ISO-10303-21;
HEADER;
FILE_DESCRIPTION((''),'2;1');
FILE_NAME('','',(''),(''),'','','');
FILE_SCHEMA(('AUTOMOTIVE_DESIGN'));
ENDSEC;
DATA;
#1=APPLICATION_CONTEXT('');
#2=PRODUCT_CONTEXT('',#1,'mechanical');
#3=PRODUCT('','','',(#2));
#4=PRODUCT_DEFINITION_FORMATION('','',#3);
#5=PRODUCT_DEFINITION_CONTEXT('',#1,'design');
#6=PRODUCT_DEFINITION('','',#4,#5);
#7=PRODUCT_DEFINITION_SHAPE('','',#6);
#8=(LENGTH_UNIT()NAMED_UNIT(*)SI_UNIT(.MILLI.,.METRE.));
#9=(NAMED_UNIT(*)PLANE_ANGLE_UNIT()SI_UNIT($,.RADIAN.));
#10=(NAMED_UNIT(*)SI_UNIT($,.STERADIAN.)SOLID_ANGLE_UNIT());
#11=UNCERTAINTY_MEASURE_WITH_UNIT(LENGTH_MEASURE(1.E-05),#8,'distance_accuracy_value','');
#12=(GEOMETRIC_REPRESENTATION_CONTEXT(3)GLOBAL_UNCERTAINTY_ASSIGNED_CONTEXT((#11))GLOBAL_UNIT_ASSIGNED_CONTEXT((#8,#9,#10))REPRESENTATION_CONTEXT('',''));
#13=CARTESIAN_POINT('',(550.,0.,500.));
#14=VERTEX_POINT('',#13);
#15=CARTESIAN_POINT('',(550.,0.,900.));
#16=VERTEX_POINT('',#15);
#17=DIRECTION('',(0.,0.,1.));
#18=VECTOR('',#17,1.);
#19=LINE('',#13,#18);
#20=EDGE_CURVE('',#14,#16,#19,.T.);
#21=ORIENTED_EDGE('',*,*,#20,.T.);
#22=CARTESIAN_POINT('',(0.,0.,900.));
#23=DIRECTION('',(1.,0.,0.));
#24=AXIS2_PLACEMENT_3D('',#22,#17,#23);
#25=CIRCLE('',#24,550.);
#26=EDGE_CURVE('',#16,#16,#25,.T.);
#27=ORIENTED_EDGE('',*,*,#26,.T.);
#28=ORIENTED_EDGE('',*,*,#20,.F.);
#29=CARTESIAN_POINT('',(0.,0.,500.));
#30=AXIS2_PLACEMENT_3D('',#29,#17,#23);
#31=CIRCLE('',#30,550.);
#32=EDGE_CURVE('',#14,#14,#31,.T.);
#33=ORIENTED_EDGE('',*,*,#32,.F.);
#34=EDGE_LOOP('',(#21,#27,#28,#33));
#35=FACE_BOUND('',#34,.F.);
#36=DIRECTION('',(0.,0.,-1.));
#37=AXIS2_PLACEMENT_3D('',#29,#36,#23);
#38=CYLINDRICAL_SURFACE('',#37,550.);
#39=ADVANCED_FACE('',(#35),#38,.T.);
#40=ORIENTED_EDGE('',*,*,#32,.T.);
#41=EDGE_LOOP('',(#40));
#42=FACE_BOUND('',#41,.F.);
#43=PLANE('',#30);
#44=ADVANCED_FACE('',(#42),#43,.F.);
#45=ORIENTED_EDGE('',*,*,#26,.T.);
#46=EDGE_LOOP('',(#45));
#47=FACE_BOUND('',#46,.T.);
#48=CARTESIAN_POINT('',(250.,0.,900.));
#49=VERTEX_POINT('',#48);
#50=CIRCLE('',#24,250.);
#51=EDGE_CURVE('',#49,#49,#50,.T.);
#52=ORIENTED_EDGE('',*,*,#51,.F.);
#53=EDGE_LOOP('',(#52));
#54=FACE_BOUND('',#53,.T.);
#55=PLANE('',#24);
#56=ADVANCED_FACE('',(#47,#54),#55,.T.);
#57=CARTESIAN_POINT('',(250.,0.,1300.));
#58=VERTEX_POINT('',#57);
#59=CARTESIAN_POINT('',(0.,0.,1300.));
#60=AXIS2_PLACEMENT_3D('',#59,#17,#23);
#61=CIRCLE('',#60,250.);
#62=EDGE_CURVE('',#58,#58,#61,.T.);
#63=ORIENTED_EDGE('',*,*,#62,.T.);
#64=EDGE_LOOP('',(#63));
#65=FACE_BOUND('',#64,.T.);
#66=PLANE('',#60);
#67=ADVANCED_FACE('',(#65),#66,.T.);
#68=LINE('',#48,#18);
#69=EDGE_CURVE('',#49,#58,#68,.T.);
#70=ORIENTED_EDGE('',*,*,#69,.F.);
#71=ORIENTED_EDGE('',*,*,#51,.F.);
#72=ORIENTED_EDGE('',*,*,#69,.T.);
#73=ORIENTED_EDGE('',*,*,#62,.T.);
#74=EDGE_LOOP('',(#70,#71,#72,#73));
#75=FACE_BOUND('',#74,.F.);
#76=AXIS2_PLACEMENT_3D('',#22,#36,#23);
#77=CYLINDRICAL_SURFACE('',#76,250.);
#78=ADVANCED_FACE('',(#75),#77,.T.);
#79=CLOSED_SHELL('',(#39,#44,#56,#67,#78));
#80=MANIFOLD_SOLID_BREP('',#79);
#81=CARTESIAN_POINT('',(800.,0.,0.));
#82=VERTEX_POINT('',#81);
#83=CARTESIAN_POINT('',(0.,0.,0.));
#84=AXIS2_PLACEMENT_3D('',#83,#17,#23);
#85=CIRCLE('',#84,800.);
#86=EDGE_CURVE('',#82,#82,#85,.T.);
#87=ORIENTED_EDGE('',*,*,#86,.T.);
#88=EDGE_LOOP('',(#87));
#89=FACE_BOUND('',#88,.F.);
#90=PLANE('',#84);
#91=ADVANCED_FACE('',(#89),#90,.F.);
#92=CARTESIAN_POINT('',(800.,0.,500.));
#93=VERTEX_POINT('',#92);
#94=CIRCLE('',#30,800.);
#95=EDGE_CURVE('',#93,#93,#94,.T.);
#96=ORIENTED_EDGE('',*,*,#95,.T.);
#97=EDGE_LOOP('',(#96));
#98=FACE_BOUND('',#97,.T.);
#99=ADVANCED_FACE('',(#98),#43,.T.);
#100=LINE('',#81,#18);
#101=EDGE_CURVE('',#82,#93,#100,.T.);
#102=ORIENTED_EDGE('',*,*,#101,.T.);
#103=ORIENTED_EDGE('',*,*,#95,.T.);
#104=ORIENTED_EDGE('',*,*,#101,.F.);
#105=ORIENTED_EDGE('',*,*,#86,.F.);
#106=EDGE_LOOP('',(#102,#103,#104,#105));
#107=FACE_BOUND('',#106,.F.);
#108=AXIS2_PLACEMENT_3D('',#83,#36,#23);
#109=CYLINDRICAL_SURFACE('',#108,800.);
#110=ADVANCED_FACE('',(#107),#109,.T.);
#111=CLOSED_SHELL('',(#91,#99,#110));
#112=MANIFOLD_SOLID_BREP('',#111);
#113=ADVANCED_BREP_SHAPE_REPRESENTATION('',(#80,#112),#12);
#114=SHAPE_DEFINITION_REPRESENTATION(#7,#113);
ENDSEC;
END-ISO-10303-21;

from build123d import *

# Parameters (mm, degrees)
F0_R     = 800
F1_DEPTH = 500
F2_R     = 550
F3_DEPTH = 400
F4_R     = 250
F5_DEPTH = 400


with BuildPart() as f1:
    # F0 (on Top) → F1 (new body)
    with BuildSketch(Plane.XY):
        Circle(F0_R)
    extrude(amount=F1_DEPTH)


with BuildPart() as f3:
    # F2 (on face) → F3 (new body)
    with BuildSketch(Plane.XY.offset(500)):
        Circle(F2_R)
    extrude(amount=F3_DEPTH)

    # F4 (on face) → F5 (join)
    with BuildSketch(Plane.XY.offset(900)):
        Circle(F4_R)
    extrude(amount=F5_DEPTH)


solid = Compound([f1.part, f3.part])
